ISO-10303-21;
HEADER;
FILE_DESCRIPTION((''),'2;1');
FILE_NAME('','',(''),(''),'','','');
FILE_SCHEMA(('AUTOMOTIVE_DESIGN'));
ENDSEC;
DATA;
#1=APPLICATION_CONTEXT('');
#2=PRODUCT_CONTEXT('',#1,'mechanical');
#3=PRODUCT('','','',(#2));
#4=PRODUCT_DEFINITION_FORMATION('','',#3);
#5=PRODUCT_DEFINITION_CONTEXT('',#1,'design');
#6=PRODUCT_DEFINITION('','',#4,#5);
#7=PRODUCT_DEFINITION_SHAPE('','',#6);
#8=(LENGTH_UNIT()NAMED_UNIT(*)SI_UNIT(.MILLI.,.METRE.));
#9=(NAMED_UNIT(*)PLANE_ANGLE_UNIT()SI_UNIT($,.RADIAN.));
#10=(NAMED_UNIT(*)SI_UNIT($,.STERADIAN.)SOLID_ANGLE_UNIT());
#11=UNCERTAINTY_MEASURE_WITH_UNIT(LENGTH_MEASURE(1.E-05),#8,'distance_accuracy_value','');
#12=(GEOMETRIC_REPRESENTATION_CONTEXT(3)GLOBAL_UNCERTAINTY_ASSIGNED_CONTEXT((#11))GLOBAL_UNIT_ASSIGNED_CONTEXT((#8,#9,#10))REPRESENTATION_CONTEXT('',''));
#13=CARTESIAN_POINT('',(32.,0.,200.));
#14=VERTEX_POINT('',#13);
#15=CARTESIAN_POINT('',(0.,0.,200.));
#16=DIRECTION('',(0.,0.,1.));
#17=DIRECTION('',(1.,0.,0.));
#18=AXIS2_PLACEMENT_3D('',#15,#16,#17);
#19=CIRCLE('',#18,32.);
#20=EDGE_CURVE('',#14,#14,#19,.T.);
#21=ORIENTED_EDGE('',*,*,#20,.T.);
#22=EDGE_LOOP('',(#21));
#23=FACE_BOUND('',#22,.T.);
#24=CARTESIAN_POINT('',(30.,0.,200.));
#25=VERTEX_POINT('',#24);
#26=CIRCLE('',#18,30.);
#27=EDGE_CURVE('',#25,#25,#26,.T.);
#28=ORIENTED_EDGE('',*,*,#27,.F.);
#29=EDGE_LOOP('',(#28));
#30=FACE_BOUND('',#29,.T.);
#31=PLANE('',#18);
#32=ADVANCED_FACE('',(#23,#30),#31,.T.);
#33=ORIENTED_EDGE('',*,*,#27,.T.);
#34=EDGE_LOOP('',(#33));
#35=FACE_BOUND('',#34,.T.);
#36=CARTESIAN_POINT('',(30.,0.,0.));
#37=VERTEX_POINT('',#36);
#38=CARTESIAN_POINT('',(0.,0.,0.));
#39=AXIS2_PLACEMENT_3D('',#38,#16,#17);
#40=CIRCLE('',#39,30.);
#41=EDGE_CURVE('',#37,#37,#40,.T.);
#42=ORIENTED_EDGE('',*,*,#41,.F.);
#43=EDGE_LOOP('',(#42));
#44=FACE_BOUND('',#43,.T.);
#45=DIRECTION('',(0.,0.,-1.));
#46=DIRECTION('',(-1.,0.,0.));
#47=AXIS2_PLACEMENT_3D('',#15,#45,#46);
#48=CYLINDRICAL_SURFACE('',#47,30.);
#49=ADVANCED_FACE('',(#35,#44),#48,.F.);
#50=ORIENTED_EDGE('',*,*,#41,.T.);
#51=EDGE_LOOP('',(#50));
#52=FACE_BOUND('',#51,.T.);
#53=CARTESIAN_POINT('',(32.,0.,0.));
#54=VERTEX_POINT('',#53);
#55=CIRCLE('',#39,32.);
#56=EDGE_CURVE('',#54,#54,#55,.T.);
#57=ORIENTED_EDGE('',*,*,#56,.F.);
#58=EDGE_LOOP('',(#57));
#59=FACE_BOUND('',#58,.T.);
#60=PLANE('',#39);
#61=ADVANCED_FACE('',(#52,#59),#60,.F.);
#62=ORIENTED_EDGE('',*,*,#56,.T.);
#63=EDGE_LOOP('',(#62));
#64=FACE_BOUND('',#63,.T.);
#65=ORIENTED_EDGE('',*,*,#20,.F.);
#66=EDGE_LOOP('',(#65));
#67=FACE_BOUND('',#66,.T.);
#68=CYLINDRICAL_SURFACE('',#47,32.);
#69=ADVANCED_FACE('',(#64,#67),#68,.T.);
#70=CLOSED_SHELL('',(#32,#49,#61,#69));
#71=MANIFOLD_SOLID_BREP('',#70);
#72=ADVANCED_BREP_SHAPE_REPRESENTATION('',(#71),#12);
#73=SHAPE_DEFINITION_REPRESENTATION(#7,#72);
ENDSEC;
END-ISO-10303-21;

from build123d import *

# Parameters (mm, degrees)
SKETCH1_R           = 32
SKETCH1_R_2         = 30
BOSS_EXTRUDE1_DEPTH = 200


with BuildPart() as part:
    # Sketch1 → Boss-Extrude1 (new body)
    with BuildSketch(Plane.XY):
        Circle(SKETCH1_R)
        Circle(SKETCH1_R_2, mode=Mode.SUBTRACT)
    extrude(amount=BOSS_EXTRUDE1_DEPTH)


solid = part.part
